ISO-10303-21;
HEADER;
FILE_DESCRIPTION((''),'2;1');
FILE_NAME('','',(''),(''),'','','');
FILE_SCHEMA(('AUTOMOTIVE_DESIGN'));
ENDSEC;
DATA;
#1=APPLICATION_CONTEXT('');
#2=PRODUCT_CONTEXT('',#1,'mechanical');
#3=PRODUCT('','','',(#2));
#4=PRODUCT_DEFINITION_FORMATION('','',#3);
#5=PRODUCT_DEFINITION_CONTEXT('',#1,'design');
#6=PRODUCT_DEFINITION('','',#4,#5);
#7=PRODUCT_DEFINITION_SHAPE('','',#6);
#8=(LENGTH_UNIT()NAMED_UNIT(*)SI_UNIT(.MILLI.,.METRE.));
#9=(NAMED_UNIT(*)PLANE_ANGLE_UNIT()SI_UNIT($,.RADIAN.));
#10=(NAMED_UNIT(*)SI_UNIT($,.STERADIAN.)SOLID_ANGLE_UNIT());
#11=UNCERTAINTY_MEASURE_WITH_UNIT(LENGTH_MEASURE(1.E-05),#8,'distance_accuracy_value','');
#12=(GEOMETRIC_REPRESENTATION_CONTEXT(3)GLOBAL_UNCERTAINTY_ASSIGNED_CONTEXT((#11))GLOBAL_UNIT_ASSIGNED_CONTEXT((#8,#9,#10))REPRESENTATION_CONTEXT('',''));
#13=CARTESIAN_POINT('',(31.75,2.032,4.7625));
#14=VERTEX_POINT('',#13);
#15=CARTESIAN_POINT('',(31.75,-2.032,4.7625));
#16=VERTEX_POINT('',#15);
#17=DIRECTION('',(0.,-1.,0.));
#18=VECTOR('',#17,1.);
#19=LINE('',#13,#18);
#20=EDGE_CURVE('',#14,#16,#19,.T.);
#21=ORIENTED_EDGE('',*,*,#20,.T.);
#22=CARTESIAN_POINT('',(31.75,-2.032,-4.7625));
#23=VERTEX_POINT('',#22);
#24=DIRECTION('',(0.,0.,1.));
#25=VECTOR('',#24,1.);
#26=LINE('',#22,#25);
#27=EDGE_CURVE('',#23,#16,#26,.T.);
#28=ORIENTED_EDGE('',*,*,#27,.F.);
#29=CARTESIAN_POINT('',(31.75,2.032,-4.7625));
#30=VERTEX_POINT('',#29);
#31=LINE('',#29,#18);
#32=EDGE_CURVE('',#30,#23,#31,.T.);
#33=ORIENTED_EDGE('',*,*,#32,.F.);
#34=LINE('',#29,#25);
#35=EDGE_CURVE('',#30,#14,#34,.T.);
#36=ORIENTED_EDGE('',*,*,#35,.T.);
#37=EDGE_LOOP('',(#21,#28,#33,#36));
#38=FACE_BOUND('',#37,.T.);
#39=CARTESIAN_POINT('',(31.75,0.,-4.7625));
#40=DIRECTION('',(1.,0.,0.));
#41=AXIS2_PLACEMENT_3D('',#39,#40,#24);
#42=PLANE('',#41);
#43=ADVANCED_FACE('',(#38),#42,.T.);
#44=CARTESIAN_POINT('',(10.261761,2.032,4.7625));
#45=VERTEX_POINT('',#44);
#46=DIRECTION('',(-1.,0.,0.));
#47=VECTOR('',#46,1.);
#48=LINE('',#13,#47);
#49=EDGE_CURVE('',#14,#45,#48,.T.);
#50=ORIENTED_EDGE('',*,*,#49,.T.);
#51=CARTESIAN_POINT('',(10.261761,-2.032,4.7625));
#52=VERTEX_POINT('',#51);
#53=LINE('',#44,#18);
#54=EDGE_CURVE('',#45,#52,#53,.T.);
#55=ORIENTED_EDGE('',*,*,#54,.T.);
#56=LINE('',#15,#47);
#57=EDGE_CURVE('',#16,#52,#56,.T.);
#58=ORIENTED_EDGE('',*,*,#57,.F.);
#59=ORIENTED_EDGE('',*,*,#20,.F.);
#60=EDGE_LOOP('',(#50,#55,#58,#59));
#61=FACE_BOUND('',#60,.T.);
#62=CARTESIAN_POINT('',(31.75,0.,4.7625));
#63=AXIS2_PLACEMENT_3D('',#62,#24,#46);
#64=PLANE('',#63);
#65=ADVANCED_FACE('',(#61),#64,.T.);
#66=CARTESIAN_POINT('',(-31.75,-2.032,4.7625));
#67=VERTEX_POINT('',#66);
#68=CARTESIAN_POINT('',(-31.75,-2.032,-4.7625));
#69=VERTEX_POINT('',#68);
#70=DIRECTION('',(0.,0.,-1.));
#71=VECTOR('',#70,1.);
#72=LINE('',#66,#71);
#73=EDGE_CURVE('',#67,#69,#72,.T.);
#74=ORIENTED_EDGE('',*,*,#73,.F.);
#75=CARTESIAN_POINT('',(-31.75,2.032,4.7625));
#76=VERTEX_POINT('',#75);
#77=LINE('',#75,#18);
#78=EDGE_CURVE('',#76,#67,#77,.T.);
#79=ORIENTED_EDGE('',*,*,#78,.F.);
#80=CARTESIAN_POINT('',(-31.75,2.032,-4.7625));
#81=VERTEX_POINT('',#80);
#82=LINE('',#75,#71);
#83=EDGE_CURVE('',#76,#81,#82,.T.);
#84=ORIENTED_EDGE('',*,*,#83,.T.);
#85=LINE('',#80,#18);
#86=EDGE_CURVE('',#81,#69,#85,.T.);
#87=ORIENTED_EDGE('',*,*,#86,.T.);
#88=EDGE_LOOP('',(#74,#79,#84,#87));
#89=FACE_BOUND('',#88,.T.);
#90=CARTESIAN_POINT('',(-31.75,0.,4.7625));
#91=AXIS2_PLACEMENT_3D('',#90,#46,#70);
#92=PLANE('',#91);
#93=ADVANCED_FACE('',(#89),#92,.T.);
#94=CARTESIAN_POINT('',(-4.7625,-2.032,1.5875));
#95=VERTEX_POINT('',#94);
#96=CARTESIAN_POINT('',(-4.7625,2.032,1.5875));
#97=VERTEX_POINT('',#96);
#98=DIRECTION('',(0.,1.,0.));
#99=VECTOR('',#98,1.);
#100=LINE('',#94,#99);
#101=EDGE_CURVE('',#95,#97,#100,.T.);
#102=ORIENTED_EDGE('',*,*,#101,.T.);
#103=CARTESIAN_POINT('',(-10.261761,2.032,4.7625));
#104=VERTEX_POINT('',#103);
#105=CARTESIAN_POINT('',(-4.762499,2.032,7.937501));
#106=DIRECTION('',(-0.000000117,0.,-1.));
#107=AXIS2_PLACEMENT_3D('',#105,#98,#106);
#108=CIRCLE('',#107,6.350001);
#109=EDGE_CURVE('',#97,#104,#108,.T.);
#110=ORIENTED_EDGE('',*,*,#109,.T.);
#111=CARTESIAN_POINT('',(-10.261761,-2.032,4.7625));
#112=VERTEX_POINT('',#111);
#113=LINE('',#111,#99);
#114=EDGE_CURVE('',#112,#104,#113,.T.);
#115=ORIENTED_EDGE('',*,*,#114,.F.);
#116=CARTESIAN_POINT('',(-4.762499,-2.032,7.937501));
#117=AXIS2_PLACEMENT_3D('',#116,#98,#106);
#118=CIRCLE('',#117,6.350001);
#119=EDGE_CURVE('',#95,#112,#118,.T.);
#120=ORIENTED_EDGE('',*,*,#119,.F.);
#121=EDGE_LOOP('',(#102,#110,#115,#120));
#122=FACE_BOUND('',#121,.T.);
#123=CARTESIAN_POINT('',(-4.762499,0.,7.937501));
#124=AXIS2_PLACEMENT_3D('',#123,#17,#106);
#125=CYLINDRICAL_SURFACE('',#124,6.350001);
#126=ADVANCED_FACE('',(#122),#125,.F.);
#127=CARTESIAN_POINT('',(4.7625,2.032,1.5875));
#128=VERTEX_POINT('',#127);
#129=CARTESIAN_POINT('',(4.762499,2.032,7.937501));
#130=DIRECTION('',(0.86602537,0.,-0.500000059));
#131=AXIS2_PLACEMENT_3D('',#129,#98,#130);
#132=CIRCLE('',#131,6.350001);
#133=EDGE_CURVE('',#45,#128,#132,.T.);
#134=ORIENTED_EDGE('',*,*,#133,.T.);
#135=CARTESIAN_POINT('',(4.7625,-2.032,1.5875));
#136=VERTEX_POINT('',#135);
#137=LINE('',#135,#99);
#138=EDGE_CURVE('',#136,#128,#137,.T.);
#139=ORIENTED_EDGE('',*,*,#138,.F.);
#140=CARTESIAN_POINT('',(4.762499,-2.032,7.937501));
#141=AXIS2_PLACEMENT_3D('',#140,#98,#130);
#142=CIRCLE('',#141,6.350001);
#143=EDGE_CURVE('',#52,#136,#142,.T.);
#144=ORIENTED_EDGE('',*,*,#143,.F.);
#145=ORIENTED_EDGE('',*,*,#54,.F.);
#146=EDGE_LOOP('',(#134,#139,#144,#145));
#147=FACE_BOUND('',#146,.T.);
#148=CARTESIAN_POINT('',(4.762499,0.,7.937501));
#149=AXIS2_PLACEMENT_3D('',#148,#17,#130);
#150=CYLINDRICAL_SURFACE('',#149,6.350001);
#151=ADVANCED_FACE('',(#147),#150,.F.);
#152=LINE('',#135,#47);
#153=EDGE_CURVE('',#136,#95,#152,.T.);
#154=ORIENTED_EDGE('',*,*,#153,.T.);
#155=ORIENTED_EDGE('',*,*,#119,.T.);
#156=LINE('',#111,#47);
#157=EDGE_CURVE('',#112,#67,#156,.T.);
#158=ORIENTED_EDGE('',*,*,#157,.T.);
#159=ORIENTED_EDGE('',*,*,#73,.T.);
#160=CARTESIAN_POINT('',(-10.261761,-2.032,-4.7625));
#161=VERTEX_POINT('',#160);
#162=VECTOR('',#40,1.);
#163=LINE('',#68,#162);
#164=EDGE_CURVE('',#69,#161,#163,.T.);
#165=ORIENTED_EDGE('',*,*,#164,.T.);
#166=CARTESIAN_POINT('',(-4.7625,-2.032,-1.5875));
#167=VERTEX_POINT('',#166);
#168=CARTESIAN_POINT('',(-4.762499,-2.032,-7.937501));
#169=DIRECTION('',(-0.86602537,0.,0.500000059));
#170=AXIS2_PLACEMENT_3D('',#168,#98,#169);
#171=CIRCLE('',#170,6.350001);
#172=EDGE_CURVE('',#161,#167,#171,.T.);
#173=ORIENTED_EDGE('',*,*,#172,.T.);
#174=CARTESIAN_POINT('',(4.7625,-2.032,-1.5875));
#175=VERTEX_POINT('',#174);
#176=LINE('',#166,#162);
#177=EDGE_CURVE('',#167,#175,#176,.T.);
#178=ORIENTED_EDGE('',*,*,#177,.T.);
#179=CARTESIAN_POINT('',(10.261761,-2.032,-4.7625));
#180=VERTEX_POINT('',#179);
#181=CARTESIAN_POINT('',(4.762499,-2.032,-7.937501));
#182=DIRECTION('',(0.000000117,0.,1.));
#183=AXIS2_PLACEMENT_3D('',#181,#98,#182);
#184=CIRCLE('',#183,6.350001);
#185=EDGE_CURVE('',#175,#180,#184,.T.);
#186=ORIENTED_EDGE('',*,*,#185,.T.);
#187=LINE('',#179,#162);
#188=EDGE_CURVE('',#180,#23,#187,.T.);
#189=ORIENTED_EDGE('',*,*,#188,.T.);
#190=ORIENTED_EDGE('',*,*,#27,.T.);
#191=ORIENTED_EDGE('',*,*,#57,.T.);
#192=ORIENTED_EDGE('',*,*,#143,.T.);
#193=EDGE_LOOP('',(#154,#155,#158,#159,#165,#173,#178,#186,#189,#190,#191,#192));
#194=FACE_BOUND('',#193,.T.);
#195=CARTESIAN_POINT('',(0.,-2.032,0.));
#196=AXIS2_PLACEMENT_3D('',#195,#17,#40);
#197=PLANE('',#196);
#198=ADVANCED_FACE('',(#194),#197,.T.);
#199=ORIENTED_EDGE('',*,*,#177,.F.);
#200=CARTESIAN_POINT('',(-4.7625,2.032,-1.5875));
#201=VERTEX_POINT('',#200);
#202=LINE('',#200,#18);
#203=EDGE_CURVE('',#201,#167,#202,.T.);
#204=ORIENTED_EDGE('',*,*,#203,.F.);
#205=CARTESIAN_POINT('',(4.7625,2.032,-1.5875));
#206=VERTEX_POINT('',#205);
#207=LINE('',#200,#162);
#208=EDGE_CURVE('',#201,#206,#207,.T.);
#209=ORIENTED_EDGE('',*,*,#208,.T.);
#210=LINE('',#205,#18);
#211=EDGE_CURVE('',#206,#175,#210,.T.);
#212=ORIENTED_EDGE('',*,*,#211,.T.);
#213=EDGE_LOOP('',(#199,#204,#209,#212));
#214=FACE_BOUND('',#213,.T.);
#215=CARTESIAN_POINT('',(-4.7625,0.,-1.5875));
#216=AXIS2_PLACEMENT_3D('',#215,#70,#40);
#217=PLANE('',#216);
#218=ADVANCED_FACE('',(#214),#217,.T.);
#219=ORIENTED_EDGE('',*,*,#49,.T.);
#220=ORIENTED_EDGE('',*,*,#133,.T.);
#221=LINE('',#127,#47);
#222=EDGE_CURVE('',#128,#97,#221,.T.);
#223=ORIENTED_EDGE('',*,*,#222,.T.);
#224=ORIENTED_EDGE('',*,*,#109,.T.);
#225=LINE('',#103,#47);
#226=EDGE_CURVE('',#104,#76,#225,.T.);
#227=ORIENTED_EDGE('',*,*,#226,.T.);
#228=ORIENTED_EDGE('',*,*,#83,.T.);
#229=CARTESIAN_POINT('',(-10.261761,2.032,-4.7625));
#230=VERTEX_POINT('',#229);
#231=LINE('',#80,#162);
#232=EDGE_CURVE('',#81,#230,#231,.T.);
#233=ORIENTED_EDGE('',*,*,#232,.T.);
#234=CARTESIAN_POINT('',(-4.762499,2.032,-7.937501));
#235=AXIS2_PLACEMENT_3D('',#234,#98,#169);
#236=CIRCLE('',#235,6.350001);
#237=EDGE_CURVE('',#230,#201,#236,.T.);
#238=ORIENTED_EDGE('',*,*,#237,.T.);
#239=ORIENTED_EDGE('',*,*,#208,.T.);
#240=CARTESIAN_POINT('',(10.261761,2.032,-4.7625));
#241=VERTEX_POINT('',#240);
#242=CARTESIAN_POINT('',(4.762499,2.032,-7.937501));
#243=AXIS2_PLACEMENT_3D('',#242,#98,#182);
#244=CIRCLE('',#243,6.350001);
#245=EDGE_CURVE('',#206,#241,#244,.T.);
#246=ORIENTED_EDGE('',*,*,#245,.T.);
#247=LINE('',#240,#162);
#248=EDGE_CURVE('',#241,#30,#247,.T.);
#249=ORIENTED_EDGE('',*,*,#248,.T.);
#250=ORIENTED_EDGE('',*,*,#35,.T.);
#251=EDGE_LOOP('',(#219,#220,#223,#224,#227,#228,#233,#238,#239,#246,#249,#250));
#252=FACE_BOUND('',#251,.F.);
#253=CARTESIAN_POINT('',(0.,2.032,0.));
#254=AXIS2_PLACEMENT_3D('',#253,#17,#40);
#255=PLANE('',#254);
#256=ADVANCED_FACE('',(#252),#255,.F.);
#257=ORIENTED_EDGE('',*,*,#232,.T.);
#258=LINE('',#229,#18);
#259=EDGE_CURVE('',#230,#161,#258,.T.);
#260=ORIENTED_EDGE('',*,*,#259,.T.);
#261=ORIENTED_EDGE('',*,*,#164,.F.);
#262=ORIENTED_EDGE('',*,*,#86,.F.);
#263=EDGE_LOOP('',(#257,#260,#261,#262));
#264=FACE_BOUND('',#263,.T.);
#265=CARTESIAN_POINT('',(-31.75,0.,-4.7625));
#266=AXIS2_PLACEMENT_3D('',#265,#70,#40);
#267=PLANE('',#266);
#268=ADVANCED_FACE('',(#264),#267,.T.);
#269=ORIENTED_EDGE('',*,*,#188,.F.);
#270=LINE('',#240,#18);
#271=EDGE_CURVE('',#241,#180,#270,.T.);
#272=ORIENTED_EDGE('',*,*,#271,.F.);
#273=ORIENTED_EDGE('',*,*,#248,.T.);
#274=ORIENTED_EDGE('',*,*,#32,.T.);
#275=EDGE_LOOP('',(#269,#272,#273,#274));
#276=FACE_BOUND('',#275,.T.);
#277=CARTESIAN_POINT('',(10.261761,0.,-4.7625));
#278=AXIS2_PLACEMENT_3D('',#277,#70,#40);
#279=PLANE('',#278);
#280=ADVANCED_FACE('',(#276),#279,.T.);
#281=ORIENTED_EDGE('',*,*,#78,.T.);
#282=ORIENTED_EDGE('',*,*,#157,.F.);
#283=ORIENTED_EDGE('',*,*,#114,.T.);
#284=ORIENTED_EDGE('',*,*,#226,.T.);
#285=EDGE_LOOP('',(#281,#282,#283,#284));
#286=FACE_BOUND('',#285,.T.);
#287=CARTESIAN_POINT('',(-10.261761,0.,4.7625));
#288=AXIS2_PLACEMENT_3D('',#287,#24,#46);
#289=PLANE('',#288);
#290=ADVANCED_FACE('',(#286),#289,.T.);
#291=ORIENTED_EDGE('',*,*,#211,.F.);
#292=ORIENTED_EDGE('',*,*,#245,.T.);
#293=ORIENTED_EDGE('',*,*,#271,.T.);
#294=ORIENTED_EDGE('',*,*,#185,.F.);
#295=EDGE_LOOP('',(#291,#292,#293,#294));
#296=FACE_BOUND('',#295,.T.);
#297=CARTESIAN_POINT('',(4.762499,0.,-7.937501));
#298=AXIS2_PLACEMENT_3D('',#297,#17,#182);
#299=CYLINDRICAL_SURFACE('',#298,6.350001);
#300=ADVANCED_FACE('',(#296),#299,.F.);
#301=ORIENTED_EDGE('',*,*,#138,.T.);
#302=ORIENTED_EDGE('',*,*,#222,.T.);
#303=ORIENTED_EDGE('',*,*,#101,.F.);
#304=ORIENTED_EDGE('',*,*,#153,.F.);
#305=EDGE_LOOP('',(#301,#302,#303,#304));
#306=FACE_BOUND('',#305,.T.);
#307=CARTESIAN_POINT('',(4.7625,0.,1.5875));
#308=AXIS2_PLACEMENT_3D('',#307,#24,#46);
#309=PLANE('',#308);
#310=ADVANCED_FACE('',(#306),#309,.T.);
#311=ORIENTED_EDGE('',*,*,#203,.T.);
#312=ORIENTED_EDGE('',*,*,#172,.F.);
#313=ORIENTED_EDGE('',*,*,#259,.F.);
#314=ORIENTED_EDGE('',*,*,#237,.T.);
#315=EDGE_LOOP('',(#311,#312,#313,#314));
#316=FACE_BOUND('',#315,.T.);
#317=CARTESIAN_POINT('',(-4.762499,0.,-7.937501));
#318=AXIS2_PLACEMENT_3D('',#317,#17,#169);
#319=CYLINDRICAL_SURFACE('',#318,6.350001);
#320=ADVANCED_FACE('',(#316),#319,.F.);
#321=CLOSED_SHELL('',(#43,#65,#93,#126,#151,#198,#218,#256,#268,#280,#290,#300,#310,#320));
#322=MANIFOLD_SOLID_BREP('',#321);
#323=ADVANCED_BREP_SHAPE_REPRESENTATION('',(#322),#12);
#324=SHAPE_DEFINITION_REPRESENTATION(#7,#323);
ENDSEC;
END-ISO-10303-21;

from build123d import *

# Parameters (mm, degrees)
F1_DEPTH = 2.032


with BuildPart() as f1:
    # F0 (on Front) → F1 (new body, symmetric)
    with BuildSketch(Plane.XZ):
        with BuildLine():
            Line((-10.261761, 4.7625), (-31.75, 4.7625))
            Line((-31.75, 4.7625), (-31.75, 0))
            Line((-31.75, 0), (-31.75, -4.7625))
            Line((-31.75, -4.7625), (-10.261761, -4.7625))
            ThreePointArc((-10.261761, -4.7625), (-7.9375, -2.438239), (-4.7625, -1.5875))
            Line((-4.7625, -1.5875), (0, -1.5875))
            Line((0, -1.5875), (4.7625, -1.5875))
            ThreePointArc((4.7625, -1.5875), (7.9375, -2.438239), (10.261761, -4.7625))
            Line((10.261761, -4.7625), (31.75, -4.7625))
            Line((31.75, -4.7625), (31.75, 0))
            Line((31.75, 0), (31.75, 4.7625))
            Line((31.75, 4.7625), (10.261761, 4.7625))
            ThreePointArc((10.261761, 4.7625), (7.9375, 2.438239), (4.7625, 1.5875))
            Line((4.7625, 1.5875), (0, 1.5875))
            Line((0, 1.5875), (-4.7625, 1.5875))
            ThreePointArc((-4.7625, 1.5875), (-7.9375, 2.438239), (-10.261761, 4.7625))
        make_face()
    extrude(amount=F1_DEPTH, both=True)


solid = f1.part
